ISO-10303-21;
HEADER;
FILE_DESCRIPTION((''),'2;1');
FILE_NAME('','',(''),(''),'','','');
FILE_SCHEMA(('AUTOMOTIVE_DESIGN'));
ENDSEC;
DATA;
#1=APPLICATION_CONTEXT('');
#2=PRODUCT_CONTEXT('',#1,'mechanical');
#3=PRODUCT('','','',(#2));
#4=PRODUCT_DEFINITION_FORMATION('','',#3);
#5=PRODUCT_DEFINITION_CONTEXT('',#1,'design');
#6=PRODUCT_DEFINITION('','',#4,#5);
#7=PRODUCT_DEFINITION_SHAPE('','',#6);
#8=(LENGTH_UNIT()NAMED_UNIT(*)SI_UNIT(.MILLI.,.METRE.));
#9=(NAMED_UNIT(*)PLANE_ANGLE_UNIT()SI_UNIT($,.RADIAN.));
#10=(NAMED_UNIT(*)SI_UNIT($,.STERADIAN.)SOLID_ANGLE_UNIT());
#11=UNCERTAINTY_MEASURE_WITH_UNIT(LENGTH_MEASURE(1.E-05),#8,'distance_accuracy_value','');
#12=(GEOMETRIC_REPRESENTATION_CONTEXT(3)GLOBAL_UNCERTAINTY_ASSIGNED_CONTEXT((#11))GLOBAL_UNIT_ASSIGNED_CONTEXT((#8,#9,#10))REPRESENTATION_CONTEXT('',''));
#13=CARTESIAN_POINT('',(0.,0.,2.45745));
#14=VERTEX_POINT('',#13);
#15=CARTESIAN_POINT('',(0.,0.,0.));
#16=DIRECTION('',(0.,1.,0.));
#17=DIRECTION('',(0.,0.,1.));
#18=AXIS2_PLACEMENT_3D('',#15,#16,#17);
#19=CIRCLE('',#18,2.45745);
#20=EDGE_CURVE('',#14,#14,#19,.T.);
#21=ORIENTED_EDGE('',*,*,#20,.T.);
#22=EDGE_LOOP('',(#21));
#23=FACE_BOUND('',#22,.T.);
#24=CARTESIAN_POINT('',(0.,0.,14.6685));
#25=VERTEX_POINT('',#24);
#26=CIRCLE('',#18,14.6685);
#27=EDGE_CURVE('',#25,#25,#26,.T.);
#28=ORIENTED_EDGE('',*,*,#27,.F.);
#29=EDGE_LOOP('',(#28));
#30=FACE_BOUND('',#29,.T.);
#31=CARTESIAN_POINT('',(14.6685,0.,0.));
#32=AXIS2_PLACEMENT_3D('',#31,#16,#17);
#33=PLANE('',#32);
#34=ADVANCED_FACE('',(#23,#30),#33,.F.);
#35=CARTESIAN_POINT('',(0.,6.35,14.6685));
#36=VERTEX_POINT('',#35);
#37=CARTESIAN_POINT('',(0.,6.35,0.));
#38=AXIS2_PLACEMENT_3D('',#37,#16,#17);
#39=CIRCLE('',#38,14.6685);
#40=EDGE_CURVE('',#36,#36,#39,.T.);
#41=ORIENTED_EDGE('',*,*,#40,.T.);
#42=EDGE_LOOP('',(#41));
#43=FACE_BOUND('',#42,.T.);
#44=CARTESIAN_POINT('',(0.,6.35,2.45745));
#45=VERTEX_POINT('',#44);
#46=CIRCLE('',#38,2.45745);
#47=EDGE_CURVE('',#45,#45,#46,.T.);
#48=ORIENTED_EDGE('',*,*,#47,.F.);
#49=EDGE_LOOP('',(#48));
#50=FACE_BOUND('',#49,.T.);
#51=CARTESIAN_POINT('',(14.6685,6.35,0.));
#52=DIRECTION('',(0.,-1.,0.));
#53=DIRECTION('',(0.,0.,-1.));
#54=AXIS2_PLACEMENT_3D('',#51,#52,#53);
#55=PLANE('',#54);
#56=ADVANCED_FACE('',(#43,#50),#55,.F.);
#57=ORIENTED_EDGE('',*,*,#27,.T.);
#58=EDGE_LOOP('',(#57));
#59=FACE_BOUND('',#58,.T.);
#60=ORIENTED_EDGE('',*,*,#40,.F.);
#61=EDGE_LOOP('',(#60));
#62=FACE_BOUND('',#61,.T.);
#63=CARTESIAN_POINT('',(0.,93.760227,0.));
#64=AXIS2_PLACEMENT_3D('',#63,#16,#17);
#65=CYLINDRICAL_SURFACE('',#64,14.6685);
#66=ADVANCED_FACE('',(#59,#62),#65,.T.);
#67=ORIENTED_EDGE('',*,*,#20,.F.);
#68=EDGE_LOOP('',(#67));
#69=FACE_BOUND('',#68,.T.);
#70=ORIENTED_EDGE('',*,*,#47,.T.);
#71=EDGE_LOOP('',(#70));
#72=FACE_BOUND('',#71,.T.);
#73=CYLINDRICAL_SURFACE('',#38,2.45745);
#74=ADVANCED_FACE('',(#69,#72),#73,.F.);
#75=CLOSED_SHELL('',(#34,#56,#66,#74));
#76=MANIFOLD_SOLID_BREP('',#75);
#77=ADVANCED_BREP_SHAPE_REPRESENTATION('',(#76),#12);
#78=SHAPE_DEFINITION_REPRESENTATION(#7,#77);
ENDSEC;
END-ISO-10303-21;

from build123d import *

# Parameters (mm, degrees)
SKETCH1_W                    = 14.6685
SKETCH1_H                    = 6.35
F_10_0_1935_DIAMETER_HOLE1_D = 4.9149


with BuildPart() as part:
    # Sketch1 → Revolve1 (revolve)
    with BuildSketch(Plane.XY, mode=Mode.PRIVATE) as revolve1_sk:
        with Locations((7.33425, 3.175)):
            Rectangle(SKETCH1_W, SKETCH1_H)
    revolve(revolve1_sk.sketch.rotate(Axis((0, 93.76022735, 0), (0, -1, 0)), 90), axis=Axis((0, 93.76022735, 0), (0, -1, 0)))

    # #10 (0.1935) Diameter Hole1 (through all)
    with Locations(Plane(origin=(0, 6.35, 0), x_dir=(1, 0, 0), z_dir=(0, 1, 0))):
        with Locations((0, 0)):
            Hole(F_10_0_1935_DIAMETER_HOLE1_D / 2)


solid = part.part
